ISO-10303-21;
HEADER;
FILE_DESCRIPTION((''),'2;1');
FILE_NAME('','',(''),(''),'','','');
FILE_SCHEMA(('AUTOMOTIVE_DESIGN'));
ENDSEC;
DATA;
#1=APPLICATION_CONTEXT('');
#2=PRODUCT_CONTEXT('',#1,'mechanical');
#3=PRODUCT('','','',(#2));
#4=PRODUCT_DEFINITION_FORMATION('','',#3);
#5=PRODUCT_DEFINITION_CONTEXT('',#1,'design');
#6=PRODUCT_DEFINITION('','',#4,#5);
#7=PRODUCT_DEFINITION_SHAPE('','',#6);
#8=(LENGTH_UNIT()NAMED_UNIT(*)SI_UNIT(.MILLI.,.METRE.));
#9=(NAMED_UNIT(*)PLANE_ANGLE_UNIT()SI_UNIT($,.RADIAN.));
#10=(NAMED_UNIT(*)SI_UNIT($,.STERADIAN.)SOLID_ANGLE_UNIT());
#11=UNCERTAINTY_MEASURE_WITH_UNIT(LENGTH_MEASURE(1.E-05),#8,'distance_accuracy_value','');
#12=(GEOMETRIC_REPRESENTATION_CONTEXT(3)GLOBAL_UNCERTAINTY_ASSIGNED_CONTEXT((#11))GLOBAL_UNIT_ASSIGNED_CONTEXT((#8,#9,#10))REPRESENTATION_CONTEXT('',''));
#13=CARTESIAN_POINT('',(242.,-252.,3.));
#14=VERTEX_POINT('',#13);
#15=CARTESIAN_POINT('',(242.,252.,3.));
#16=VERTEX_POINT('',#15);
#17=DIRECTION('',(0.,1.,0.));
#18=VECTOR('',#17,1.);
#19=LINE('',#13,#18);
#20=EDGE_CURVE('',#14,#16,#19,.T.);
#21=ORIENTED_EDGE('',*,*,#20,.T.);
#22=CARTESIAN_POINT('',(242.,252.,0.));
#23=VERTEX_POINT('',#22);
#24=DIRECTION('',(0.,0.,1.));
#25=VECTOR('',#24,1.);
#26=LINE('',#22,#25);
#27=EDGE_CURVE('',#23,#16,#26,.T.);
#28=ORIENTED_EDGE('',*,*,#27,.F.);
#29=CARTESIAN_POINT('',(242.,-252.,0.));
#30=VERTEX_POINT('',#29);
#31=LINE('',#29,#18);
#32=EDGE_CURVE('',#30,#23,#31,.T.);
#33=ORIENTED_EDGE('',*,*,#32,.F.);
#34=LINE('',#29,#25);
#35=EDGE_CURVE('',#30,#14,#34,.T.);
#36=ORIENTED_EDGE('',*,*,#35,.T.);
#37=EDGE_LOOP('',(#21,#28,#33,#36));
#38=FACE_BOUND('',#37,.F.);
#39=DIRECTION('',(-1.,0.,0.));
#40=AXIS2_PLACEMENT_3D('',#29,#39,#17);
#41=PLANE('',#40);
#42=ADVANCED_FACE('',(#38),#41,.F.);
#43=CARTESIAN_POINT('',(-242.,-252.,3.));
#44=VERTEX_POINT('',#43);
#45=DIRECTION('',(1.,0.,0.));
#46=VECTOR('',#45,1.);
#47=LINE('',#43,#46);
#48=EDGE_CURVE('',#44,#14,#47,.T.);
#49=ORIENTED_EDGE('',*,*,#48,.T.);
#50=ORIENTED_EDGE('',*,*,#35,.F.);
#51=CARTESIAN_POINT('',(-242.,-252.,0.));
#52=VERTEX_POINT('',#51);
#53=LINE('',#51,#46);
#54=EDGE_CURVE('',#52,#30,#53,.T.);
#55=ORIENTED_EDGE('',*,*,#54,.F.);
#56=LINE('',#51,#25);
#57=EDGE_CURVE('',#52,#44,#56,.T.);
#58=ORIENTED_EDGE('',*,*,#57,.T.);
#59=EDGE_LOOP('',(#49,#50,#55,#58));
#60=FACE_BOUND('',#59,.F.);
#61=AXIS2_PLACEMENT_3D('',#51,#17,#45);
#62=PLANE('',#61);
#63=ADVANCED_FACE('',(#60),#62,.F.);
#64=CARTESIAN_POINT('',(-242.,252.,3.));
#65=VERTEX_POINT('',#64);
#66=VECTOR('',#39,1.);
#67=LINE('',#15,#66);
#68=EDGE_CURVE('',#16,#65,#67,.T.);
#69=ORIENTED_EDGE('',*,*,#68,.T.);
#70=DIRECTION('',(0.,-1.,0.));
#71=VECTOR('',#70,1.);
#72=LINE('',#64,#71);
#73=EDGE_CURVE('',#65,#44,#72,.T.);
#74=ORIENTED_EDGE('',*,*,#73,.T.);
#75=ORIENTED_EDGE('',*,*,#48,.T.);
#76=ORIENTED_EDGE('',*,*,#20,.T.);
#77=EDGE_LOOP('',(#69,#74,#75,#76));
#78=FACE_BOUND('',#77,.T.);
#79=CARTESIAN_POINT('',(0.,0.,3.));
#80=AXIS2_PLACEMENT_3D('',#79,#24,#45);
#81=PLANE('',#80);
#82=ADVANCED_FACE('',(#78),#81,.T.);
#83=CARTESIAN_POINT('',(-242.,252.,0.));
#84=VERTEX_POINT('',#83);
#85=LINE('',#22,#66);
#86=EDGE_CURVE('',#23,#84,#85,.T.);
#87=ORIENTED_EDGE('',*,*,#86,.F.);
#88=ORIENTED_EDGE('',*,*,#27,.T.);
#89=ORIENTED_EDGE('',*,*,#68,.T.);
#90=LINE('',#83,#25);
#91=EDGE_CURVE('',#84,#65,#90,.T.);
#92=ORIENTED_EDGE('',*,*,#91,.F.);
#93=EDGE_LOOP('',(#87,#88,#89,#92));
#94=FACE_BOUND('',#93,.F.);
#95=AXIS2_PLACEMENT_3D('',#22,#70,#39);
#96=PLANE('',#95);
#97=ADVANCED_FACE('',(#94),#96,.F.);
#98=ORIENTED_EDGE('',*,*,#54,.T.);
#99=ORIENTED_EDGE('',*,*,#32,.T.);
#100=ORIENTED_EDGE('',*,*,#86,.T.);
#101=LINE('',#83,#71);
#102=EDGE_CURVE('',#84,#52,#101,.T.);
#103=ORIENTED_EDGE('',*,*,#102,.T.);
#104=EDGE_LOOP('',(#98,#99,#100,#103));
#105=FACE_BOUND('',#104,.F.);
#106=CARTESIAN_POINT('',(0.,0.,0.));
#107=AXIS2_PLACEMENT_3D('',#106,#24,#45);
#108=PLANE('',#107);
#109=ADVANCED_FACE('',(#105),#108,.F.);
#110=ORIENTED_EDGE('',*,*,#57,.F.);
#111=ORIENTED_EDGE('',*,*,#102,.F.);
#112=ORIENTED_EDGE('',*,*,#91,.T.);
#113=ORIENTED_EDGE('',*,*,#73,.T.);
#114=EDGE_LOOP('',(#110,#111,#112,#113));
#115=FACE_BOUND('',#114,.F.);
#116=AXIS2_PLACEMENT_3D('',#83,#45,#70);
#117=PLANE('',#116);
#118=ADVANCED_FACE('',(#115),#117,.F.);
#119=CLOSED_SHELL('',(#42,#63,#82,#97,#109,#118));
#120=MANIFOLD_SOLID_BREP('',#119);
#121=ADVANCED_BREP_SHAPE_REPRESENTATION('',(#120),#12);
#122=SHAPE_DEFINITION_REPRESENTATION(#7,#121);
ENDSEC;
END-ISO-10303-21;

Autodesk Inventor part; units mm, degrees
ref_plane "YZ Plane" through (0, 0, 0) normal (1, 0, 0) x (0, 1, 0)
ref_plane "XZ Plane" through (0, 0, 0) normal (0, 1, 0) x (-1, 0, 0)
ref_plane "XY Plane" through (0, 0, 0) normal (0, 0, 1) x (1, 0, 0)
sketch "Skizze1" plane through (0, 0, 0) normal (0, 0, 1) x (1, 0, 0)
  line L0 (-242, -252) -> (242, -252)
  line L1 (242, -252) -> (242, 252)
  line L2 (242, 252) -> (-242, 252)
  line L3 (-242, 252) -> (-242, -252)
  line L4 (-242, -252) -> (242, 252) construction
  line L5 (242, -252) -> (-242, 252) construction
  point P0 (0, 0)
  dimension "d0" = 484
  dimension "d1" = 504
extrude "Extrusion1" add sketch "Skizze1" along normal blind 3
properties part number "Panel Side" material "Polycarbonat, klar"
